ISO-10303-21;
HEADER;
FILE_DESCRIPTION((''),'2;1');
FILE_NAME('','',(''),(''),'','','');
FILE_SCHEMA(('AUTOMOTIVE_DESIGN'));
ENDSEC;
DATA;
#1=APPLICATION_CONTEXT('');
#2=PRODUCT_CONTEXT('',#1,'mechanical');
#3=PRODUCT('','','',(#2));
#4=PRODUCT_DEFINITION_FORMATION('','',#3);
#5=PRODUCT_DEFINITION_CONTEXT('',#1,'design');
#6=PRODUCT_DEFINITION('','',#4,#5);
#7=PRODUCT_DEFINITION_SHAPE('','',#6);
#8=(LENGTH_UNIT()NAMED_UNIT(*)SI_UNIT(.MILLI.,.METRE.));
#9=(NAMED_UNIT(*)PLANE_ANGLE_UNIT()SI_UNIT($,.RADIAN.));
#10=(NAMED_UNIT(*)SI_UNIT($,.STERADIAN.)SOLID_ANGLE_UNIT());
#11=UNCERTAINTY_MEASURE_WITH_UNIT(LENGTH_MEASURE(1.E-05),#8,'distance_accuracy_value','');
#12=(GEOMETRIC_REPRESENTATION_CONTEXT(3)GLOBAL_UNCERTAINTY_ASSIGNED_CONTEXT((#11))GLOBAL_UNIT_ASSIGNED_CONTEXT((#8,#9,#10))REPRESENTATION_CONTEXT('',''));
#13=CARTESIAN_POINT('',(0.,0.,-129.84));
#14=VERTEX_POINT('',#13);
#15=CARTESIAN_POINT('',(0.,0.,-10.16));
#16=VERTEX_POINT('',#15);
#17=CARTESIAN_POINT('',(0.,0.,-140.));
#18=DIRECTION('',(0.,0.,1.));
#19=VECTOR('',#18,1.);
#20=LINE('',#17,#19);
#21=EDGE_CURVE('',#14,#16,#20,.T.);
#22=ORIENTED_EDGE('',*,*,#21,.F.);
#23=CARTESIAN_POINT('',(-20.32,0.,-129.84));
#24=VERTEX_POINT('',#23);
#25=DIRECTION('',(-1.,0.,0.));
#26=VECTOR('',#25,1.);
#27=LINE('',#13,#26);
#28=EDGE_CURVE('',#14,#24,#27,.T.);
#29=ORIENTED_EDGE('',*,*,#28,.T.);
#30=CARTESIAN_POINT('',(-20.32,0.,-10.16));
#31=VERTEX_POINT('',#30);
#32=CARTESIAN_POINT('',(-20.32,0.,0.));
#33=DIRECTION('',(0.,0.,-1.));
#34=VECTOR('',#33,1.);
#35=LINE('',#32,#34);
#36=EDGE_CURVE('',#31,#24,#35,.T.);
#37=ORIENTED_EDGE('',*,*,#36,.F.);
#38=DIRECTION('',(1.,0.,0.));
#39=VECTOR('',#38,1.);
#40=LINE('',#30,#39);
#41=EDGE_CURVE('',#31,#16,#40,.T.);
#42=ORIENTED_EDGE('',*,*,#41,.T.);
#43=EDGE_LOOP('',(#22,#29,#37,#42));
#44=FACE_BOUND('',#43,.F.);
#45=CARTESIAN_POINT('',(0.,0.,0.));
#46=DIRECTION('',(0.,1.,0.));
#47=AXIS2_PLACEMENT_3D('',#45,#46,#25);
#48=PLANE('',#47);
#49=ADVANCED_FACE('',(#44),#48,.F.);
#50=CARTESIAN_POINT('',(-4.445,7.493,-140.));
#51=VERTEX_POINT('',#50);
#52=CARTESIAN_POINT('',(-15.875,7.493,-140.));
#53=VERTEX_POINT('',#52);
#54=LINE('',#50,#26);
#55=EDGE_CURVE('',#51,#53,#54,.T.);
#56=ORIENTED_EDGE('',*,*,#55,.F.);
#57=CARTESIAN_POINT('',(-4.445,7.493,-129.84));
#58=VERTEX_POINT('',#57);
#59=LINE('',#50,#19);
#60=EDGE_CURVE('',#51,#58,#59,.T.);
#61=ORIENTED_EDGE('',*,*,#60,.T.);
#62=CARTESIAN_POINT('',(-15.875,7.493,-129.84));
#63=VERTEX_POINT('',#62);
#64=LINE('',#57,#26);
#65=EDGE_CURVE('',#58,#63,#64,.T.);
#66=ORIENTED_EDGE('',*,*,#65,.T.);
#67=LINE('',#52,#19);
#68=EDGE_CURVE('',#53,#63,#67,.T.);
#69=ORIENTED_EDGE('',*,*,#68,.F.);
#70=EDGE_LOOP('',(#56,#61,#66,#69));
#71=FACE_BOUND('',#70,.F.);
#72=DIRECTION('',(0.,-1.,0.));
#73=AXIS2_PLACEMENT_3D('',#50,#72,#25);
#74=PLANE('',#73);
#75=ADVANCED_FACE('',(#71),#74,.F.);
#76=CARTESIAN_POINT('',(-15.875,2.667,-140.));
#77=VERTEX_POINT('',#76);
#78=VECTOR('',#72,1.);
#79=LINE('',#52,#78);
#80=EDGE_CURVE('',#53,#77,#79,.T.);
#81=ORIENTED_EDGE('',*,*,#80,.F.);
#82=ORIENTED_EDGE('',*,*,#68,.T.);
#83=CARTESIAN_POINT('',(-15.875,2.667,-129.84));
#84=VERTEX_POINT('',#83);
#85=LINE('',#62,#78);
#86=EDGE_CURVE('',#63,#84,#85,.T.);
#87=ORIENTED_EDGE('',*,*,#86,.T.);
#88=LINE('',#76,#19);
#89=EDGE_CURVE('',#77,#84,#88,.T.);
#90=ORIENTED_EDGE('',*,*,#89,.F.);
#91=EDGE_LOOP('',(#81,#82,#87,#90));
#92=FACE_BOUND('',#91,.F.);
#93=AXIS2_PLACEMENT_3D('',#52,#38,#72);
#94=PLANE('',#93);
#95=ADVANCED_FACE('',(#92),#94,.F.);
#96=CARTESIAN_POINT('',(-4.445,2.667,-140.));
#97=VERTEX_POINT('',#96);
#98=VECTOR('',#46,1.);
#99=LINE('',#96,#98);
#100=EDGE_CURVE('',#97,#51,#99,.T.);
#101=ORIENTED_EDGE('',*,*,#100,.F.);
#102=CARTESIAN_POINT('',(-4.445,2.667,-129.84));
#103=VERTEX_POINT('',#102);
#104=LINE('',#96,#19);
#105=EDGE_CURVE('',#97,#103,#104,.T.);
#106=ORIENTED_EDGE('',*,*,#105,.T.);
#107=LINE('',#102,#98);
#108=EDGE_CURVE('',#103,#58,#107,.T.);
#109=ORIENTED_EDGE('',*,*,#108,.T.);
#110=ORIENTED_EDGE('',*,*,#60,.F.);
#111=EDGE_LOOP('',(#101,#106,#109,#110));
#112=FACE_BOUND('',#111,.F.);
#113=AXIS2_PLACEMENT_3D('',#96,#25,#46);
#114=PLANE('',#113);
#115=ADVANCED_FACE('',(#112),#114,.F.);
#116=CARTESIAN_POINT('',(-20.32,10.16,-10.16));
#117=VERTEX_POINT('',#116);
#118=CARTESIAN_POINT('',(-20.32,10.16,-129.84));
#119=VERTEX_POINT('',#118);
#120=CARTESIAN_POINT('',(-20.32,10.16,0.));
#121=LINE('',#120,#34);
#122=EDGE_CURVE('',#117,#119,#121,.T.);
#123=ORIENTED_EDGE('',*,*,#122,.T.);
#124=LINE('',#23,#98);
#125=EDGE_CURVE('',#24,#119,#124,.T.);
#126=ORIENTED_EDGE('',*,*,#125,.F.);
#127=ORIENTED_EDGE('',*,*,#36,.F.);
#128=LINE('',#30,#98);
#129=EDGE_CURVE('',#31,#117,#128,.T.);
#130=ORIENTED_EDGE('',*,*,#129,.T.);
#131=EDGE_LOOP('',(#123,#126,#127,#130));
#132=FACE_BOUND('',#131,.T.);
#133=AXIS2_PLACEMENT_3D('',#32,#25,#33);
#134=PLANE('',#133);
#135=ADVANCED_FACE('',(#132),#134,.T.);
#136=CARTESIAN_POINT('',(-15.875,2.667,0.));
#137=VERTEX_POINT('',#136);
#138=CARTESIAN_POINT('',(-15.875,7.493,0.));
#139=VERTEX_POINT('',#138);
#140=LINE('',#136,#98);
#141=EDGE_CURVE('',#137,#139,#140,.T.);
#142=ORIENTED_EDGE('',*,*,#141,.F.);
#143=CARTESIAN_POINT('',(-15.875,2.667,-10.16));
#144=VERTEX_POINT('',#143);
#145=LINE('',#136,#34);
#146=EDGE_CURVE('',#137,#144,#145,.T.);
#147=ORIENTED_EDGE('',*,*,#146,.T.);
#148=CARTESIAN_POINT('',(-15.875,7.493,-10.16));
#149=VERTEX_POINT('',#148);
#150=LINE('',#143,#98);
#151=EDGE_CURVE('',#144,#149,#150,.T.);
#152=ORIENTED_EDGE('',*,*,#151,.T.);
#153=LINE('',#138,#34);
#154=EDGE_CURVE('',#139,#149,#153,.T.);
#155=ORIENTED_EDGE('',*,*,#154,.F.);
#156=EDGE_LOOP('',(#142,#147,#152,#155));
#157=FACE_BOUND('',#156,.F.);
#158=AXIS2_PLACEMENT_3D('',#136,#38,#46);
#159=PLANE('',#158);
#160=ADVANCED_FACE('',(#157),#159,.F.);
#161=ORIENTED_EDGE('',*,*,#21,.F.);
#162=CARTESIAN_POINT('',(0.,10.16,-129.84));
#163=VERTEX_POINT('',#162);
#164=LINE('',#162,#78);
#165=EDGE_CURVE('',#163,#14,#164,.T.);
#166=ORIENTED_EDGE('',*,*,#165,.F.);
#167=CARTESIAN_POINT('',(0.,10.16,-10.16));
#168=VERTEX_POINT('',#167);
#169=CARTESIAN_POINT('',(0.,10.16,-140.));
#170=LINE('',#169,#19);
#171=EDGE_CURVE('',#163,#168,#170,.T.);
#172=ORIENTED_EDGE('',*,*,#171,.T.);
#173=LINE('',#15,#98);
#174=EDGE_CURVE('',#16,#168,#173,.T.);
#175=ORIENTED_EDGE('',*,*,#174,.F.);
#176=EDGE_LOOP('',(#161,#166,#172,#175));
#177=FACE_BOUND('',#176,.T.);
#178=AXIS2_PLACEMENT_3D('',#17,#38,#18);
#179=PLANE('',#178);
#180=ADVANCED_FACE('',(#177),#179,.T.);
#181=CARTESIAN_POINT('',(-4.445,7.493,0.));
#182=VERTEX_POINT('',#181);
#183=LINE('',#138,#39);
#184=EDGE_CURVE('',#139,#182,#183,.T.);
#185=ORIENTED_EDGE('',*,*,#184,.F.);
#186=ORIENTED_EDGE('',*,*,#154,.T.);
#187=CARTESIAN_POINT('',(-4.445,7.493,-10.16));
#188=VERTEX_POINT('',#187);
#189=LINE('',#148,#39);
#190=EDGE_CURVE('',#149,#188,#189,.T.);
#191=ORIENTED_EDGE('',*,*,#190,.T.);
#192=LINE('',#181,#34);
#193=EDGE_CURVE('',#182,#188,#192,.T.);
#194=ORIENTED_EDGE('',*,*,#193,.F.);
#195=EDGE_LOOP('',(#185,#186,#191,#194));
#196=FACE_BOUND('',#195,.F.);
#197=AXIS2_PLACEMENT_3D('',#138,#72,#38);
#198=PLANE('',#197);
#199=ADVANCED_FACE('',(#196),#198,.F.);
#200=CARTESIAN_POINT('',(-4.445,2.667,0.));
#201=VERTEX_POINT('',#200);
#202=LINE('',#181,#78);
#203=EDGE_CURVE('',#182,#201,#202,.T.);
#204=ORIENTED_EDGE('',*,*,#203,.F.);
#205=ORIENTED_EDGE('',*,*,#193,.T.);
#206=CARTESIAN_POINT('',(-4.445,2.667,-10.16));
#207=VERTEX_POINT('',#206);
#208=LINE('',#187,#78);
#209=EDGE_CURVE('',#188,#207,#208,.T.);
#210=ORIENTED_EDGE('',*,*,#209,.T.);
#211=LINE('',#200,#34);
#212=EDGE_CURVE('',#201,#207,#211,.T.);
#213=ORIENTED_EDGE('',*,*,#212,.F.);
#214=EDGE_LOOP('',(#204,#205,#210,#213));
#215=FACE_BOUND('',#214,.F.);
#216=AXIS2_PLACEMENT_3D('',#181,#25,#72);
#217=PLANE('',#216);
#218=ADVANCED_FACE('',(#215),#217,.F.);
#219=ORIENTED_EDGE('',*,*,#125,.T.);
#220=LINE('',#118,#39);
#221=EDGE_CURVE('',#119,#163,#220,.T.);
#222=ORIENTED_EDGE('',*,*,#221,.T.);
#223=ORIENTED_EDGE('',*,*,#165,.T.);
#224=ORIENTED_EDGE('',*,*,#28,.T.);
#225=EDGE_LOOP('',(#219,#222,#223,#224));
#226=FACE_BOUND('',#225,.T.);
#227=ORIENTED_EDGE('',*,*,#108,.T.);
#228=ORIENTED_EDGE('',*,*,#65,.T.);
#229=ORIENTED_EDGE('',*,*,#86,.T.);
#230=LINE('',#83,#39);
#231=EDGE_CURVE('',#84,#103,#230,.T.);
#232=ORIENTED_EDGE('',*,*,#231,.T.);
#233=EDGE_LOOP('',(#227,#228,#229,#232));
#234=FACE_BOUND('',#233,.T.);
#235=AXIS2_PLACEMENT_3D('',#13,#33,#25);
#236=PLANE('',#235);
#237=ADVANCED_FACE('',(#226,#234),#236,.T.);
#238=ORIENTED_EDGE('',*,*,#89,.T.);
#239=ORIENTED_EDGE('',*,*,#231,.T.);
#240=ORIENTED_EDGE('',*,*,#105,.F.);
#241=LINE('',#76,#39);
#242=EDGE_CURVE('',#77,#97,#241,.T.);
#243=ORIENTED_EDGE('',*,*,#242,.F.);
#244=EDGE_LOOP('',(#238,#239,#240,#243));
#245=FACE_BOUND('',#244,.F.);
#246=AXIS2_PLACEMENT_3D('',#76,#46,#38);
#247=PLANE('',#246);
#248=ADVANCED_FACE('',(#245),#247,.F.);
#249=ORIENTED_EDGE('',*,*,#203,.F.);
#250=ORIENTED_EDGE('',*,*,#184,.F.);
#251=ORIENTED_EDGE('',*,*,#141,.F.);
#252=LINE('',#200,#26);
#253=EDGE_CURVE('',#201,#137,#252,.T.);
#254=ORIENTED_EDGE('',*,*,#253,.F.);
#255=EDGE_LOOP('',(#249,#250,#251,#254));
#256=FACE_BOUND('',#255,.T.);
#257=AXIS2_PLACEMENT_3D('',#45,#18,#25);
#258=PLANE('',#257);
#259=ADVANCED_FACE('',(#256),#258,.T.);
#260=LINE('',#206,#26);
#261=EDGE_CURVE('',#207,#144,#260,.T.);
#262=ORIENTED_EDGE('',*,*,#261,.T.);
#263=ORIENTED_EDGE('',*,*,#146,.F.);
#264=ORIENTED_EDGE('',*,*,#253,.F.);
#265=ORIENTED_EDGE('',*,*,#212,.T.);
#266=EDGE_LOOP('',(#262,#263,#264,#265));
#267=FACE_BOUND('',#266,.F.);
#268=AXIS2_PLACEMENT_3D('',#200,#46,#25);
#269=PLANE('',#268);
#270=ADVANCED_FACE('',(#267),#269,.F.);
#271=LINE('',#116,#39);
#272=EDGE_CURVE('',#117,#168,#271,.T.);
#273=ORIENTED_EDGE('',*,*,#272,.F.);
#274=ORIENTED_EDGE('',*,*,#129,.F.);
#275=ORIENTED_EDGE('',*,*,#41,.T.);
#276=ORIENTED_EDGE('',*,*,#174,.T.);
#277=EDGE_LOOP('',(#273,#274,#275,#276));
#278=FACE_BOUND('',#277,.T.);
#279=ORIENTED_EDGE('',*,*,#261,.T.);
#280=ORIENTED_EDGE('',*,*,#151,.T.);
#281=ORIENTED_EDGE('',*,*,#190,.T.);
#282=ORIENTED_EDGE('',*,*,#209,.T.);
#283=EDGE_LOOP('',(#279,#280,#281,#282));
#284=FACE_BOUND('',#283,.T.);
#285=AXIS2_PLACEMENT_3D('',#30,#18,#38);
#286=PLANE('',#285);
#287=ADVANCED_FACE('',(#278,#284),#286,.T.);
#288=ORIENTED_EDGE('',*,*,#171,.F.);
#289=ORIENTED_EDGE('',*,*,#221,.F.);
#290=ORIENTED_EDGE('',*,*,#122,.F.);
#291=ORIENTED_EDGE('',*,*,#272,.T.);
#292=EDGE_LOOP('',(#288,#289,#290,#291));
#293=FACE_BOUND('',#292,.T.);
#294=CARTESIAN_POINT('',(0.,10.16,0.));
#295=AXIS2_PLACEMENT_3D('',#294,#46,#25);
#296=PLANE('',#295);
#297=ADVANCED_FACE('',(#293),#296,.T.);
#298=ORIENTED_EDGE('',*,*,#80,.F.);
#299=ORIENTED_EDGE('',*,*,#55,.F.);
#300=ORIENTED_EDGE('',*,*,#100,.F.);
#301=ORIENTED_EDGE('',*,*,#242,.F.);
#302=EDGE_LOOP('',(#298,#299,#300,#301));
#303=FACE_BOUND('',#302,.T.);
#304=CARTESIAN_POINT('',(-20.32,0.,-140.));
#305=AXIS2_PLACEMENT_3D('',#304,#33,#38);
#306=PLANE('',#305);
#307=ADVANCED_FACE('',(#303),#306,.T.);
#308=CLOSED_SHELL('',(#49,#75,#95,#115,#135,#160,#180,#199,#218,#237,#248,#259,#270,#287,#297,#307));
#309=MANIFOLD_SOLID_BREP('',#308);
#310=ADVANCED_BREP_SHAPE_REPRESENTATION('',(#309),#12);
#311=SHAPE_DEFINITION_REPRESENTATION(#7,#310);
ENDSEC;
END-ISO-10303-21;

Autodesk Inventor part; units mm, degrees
ref_plane "YZ Plane" through (0, 0, 0) normal (1, 0, 0) x (0, 1, 0)
ref_plane "XZ Plane" through (0, 0, 0) normal (0, 1, 0) x (-1, 0, 0)
ref_plane "XY Plane" through (0, 0, 0) normal (0, 0, 1) x (1, 0, 0)
sketch "Sketch1" plane through (0, 0, 0) normal (0, 1, 0) x (-1, 0, 0)
  line L0 (0, 0) -> (20.32, 0)
  line L1 (20.32, 0) -> (20.32, -140)
  line L2 (20.32, -140) -> (0, -140)
  line L3 (0, -140) -> (0, 0)
  dimension "d0" = 140
  dimension "d1" = 20.32
extrude "Extrusion1" add sketch "Sketch1" along normal blind 10.16
sketch "Sketch2" plane through (-20.32, 0, 0) normal (0, 0, 1) x (1, 0, 0)
  line L0 (4.445, 7.493) -> (15.875, 7.493)
  line L1 (15.875, 7.493) -> (15.875, 2.667)
  line L2 (15.875, 2.667) -> (4.445, 2.667)
  line L3 (4.445, 2.667) -> (4.445, 7.493)
  line L4 (0, 10.16) -> (20.32, 10.16) projected
  line L5 (0, 0) -> (20.32, 0) projected
  line L6 (0, 0) -> (0, 10.16) projected
  line L7 (20.32, 0) -> (20.32, 10.16) projected
  line L8 (0, 10.16) -> (20.32, 10.16)
  line L9 (20.32, 10.16) -> (20.32, 0)
  line L10 (20.32, 0) -> (0, 0)
  line L11 (0, 0) -> (0, 10.16)
  dimension "d4" = 4.826
  dimension "d5" = 11.43
  dimension "d6" = 2.667
  dimension "d7" = 2.667
  dimension "d8" = 4.445
  dimension "d9" = 4.445
extrude "Extrusion2" cut sketch "Sketch2" against normal blind 10.16
sketch "Sketch3" plane through (0, 0, -140) normal (0, 0, -1) x (-1, 0, 0)
  line L0 (4.445, 7.493) -> (15.875, 7.493) projected
  line L1 (15.875, 2.667) -> (4.445, 2.667) projected
  line L2 (4.445, 7.493) -> (15.875, 7.493)
  line L3 (15.875, 7.493) -> (15.875, 2.667)
  line L4 (15.875, 2.667) -> (4.445, 2.667)
  line L5 (4.445, 2.667) -> (4.445, 7.493)
  line L6 (20.32, 0) -> (20.32, 10.16) projected
  line L7 (0, 10.16) -> (0, 0) projected
  line L8 (20.32, 10.16) -> (0, 10.16)
  line L9 (0, 10.16) -> (0, 0)
  line L10 (0, 0) -> (20.32, 0)
  line L11 (20.32, 0) -> (20.32, 10.16)
extrude "Extrusion3" cut sketch "Sketch3" against normal blind 10.16
equation "\"d6\" = d7"
equation "\"d8\" = d9"
properties part number "spool holder span" material "PLA"
